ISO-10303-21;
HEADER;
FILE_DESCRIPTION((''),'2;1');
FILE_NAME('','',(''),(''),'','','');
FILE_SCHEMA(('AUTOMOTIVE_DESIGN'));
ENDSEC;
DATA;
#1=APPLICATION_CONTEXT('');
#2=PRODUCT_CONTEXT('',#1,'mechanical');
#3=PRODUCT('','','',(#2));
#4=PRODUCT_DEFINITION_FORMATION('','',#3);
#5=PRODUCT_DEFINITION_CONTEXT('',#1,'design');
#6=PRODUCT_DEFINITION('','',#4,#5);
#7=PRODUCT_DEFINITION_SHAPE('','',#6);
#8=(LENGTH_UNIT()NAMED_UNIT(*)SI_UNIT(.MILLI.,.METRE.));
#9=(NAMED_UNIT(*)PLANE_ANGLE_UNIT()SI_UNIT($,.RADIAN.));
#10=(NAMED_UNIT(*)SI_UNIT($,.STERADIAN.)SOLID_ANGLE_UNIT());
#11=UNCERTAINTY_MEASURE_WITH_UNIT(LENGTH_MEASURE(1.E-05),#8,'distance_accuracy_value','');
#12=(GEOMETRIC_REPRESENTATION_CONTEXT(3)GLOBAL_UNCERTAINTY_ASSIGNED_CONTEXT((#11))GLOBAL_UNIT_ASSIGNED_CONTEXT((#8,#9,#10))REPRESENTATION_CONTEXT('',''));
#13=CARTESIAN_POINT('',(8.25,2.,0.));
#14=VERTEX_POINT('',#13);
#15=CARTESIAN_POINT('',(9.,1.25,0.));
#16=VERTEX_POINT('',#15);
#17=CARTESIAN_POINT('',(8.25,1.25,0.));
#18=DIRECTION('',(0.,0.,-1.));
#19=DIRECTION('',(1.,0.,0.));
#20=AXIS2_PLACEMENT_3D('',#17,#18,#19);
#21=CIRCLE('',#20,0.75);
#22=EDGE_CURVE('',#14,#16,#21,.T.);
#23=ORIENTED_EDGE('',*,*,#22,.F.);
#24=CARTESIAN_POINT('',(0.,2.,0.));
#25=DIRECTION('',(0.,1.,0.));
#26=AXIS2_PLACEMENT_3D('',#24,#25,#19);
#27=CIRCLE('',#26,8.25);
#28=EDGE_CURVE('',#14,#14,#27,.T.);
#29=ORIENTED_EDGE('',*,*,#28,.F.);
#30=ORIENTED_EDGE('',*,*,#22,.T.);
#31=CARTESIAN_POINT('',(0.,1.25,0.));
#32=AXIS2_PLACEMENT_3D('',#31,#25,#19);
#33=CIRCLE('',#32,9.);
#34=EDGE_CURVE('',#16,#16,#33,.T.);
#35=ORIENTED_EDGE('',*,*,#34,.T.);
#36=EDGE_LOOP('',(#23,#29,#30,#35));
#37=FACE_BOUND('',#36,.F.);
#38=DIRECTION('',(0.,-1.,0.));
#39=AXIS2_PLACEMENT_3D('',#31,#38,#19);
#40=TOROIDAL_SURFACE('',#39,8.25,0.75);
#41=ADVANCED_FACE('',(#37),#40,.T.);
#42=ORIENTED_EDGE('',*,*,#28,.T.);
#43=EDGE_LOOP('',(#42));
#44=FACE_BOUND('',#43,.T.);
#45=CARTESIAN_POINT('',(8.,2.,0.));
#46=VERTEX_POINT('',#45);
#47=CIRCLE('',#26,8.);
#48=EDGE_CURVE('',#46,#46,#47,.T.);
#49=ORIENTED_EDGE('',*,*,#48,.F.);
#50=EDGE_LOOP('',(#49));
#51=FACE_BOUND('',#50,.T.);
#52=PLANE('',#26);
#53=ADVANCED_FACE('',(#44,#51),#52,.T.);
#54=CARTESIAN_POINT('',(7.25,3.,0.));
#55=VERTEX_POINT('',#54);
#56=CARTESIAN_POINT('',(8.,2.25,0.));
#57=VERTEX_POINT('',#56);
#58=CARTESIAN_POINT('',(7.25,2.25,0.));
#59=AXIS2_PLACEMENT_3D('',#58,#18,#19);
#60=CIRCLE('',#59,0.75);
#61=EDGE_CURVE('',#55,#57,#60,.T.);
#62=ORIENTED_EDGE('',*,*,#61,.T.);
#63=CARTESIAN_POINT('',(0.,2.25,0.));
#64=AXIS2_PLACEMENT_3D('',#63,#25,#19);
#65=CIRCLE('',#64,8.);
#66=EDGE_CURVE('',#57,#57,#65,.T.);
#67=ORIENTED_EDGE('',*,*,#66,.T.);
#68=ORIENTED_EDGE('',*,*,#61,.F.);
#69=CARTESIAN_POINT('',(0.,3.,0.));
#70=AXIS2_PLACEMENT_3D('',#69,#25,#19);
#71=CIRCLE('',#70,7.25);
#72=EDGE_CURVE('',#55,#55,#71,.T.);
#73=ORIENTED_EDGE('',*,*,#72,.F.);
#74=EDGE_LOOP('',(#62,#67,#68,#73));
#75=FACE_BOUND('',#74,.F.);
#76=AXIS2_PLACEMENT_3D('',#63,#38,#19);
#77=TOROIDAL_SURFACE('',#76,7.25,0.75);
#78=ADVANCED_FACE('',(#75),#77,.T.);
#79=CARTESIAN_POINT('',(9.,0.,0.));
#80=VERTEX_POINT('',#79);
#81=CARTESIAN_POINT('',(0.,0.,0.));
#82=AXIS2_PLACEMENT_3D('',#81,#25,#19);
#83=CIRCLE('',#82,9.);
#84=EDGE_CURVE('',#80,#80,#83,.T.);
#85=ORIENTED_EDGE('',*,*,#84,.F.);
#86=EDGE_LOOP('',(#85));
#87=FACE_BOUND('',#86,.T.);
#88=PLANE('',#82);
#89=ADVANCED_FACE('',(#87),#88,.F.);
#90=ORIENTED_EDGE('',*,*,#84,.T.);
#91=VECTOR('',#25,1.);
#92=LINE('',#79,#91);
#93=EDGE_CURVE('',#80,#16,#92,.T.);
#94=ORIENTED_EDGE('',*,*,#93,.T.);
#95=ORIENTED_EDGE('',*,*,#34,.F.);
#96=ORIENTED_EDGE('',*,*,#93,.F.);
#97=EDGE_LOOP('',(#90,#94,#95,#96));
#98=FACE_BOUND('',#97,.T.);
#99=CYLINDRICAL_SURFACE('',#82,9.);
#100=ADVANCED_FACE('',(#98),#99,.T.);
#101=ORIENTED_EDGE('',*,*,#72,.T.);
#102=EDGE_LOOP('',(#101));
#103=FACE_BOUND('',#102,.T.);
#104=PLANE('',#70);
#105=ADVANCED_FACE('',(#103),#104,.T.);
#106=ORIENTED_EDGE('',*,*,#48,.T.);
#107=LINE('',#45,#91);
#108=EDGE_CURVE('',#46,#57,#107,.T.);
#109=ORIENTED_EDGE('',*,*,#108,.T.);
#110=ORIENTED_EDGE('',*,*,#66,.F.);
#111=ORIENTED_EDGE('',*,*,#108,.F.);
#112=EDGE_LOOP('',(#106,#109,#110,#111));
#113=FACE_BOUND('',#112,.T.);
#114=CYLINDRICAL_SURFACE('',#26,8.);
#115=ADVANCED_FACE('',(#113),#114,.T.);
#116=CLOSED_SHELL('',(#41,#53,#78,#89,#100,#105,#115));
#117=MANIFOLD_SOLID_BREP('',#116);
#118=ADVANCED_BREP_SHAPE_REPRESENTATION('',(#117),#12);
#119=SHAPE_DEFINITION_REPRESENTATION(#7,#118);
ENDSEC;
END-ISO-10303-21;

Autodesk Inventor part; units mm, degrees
ref_plane "YZ Plane" through (0, 0, 0) normal (1, 0, 0) x (0, 1, 0)
ref_plane "XZ Plane" through (0, 0, 0) normal (0, 1, 0) x (-1, 0, 0)
ref_plane "XY Plane" through (0, 0, 0) normal (0, 0, 1) x (1, 0, 0)
sketch "Sketch1" plane through (0, 0, 0) normal (0, 0, 1) x (1, 0, 0)
  line L0 (0, 0) -> (0, 19.8394)
  line L1 (0, 0) -> (9, 0)
  line L2 (9, 0) -> (9, 2)
  line L3 (9, 2) -> (8, 2)
  line L4 (8, 2) -> (8, 3)
  line L5 (8, 3) -> (0, 3)
  dimension "d1" = 2
  dimension "d2" = 1
  dimension "d3" = 1
  dimension "d6" = 18
revolve "Revolution1" add sketch "Sketch1" angle 360 about axis through (0, 0, 0) along (0, 1, 0)
fillet "Fillet1" radius 0.75 2 edges at (-9, 2, 0) (-8, 3, 0)
properties part number "Chess Piece Base"
